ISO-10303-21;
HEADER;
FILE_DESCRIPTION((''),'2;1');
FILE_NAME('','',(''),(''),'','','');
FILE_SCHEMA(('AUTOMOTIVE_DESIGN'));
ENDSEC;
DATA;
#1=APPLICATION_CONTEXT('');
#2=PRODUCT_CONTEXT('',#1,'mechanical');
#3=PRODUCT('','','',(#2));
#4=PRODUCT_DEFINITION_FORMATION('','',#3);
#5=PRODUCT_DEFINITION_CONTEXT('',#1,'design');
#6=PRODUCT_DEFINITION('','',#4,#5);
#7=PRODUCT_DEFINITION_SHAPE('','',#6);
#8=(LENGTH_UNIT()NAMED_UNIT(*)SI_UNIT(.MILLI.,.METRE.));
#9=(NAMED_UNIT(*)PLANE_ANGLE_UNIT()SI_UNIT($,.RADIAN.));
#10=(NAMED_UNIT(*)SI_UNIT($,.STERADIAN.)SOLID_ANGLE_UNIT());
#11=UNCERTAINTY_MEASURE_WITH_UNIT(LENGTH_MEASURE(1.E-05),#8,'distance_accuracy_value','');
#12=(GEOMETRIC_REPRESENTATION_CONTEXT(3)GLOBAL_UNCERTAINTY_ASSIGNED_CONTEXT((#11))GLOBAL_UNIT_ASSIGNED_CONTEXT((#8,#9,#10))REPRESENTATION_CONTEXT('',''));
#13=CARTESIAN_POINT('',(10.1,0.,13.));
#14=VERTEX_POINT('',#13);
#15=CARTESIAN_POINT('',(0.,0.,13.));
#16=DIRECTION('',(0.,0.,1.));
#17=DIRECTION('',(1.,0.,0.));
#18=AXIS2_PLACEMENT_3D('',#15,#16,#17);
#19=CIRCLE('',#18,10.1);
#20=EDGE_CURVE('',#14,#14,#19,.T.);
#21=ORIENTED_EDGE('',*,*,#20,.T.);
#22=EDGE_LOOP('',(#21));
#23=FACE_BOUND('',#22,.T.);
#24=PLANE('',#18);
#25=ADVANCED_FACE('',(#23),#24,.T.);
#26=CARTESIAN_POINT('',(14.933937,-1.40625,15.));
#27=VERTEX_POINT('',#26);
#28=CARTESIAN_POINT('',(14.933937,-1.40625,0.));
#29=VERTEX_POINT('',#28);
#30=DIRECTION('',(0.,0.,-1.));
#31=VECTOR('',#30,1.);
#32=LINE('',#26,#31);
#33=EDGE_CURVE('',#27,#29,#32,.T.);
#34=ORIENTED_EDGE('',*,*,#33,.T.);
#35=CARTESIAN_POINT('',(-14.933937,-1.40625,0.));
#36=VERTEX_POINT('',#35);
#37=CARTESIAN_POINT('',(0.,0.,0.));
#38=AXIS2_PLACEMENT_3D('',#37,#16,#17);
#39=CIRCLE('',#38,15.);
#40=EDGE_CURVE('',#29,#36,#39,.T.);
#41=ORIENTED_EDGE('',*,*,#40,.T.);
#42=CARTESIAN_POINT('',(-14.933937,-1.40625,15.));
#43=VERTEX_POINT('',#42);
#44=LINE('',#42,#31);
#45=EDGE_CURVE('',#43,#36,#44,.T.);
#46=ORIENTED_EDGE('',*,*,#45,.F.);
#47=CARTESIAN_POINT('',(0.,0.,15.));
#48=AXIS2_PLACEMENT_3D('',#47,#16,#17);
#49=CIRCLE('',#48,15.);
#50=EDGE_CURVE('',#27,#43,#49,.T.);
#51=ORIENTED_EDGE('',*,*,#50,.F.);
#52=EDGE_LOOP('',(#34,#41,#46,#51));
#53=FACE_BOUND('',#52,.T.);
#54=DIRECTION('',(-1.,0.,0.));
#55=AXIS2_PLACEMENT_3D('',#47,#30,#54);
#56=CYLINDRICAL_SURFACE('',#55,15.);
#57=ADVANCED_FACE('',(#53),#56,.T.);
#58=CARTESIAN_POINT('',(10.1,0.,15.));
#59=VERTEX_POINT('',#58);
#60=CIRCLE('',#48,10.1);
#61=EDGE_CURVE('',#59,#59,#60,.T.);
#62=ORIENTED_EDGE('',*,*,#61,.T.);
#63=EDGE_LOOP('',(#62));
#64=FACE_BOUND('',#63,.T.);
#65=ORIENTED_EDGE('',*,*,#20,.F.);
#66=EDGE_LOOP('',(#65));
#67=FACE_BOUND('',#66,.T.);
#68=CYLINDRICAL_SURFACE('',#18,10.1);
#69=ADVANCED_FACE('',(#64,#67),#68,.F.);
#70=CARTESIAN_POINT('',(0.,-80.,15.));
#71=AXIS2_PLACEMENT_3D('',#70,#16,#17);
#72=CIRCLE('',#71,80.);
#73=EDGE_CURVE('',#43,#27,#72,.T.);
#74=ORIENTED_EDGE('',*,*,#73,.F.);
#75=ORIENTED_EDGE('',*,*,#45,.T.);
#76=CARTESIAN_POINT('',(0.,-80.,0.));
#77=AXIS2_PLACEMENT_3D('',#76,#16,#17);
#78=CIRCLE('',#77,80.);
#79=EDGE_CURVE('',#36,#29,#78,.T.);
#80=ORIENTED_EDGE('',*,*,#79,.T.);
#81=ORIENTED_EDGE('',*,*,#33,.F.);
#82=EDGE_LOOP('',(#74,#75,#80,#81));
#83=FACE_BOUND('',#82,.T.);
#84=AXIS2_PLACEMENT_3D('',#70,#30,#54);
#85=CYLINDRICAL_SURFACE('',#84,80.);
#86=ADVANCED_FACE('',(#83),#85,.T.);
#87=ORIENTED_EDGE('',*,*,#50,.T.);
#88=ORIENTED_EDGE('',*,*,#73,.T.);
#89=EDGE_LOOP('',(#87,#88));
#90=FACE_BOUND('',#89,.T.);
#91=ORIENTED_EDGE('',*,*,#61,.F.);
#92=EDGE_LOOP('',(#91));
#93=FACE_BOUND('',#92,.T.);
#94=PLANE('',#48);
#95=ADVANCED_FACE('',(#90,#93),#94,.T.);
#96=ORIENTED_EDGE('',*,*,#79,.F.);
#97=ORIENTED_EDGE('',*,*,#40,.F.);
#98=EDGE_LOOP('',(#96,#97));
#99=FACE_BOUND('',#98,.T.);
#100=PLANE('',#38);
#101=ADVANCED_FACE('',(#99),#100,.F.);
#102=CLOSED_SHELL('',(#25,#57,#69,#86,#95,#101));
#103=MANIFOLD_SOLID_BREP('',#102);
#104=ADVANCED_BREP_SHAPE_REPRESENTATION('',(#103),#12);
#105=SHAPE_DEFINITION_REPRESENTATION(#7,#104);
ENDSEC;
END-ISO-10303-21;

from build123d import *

# Parameters (mm, degrees)
EXTRUDE_1_DEPTH     = 15
SKETCH_10_R         = 10.1
CUT_EXTRUDE_3_DEPTH = 2


with BuildPart() as part:
    # ｽｹｯﾁ4 → ﾎﾞｽ - 押し出し1 (new body)
    with BuildSketch(Plane.XY):
        with BuildLine():
            ThreePointArc((14.933936552, -1.40625), (0, 15), (-14.933936552, -1.40625))
            ThreePointArc((-14.933936552, -1.40625), (0, -160), (14.933936552, -1.40625))
        make_face()
    extrude(amount=EXTRUDE_1_DEPTH)

    # ｽｹｯﾁ10 → ｶｯﾄ - 押し出し3 (cut)
    with BuildSketch(Plane.XY.offset(15)):
        Circle(SKETCH_10_R)
    extrude(amount=-CUT_EXTRUDE_3_DEPTH, mode=Mode.SUBTRACT)


solid = part.part
